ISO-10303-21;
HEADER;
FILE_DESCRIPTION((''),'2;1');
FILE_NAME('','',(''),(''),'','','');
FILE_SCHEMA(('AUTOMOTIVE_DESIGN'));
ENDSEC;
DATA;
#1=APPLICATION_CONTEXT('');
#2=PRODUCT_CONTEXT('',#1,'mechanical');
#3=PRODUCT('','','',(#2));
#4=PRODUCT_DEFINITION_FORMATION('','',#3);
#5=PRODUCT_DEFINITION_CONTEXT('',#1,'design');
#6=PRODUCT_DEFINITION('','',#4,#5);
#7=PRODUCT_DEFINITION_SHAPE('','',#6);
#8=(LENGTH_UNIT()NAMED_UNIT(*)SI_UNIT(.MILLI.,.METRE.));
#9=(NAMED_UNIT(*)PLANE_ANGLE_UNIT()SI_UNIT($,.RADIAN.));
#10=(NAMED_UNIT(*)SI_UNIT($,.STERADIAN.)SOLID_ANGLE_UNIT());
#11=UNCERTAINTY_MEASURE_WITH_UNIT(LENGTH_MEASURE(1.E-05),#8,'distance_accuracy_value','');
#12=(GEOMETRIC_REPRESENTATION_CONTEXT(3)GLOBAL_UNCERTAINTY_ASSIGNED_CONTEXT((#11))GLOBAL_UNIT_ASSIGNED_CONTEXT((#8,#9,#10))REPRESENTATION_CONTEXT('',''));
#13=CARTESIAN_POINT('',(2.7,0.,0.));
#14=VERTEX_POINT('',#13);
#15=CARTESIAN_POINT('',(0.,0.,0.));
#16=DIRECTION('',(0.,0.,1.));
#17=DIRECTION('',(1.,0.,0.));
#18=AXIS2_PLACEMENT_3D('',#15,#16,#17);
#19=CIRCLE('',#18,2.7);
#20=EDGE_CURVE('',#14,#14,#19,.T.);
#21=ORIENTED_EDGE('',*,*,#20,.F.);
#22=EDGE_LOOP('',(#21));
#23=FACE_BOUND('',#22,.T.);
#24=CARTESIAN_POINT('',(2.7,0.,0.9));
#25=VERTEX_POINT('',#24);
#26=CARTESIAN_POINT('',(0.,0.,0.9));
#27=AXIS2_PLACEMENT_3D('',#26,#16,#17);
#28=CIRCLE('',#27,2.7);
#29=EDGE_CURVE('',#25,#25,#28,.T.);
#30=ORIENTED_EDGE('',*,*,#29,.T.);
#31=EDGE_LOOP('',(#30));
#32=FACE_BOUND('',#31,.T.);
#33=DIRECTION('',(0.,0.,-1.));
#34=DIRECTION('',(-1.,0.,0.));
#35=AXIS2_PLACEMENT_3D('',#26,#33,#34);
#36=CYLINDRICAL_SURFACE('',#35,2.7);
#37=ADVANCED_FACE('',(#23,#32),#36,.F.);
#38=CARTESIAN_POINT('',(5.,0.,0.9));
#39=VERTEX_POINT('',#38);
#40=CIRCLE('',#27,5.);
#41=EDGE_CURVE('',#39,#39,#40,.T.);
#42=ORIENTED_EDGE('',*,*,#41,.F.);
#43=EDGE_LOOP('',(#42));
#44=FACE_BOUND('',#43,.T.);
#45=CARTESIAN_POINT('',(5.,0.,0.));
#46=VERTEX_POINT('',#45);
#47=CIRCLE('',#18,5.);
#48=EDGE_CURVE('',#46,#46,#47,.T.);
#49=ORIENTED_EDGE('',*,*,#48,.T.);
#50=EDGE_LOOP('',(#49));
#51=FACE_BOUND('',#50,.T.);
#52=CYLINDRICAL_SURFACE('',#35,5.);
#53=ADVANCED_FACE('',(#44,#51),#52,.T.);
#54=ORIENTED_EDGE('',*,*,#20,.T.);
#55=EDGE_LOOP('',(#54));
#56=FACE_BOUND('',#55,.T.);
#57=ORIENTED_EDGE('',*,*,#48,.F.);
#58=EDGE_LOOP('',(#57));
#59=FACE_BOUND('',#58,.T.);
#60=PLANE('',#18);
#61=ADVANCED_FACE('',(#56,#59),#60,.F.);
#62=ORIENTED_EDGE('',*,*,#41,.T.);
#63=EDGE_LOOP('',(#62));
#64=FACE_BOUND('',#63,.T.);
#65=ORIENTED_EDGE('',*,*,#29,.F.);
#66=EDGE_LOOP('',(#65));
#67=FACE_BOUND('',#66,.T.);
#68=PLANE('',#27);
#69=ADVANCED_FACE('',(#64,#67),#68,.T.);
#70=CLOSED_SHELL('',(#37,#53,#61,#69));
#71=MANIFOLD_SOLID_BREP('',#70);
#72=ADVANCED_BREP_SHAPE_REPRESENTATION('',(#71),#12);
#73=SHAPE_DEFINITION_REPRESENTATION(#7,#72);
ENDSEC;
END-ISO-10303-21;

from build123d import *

# Parameters (mm, degrees)
ESBO_O1_R                = 5
ESBO_O1_R_2              = 2.7
RESSALTO_EXTRUS_O1_DEPTH = 0.9


with BuildPart() as part:
    # Esboço1 → Ressalto-extrusão1 (new body)
    with BuildSketch(Plane.XY):
        Circle(ESBO_O1_R)
        Circle(ESBO_O1_R_2, mode=Mode.SUBTRACT)
    extrude(amount=RESSALTO_EXTRUS_O1_DEPTH)


solid = part.part
